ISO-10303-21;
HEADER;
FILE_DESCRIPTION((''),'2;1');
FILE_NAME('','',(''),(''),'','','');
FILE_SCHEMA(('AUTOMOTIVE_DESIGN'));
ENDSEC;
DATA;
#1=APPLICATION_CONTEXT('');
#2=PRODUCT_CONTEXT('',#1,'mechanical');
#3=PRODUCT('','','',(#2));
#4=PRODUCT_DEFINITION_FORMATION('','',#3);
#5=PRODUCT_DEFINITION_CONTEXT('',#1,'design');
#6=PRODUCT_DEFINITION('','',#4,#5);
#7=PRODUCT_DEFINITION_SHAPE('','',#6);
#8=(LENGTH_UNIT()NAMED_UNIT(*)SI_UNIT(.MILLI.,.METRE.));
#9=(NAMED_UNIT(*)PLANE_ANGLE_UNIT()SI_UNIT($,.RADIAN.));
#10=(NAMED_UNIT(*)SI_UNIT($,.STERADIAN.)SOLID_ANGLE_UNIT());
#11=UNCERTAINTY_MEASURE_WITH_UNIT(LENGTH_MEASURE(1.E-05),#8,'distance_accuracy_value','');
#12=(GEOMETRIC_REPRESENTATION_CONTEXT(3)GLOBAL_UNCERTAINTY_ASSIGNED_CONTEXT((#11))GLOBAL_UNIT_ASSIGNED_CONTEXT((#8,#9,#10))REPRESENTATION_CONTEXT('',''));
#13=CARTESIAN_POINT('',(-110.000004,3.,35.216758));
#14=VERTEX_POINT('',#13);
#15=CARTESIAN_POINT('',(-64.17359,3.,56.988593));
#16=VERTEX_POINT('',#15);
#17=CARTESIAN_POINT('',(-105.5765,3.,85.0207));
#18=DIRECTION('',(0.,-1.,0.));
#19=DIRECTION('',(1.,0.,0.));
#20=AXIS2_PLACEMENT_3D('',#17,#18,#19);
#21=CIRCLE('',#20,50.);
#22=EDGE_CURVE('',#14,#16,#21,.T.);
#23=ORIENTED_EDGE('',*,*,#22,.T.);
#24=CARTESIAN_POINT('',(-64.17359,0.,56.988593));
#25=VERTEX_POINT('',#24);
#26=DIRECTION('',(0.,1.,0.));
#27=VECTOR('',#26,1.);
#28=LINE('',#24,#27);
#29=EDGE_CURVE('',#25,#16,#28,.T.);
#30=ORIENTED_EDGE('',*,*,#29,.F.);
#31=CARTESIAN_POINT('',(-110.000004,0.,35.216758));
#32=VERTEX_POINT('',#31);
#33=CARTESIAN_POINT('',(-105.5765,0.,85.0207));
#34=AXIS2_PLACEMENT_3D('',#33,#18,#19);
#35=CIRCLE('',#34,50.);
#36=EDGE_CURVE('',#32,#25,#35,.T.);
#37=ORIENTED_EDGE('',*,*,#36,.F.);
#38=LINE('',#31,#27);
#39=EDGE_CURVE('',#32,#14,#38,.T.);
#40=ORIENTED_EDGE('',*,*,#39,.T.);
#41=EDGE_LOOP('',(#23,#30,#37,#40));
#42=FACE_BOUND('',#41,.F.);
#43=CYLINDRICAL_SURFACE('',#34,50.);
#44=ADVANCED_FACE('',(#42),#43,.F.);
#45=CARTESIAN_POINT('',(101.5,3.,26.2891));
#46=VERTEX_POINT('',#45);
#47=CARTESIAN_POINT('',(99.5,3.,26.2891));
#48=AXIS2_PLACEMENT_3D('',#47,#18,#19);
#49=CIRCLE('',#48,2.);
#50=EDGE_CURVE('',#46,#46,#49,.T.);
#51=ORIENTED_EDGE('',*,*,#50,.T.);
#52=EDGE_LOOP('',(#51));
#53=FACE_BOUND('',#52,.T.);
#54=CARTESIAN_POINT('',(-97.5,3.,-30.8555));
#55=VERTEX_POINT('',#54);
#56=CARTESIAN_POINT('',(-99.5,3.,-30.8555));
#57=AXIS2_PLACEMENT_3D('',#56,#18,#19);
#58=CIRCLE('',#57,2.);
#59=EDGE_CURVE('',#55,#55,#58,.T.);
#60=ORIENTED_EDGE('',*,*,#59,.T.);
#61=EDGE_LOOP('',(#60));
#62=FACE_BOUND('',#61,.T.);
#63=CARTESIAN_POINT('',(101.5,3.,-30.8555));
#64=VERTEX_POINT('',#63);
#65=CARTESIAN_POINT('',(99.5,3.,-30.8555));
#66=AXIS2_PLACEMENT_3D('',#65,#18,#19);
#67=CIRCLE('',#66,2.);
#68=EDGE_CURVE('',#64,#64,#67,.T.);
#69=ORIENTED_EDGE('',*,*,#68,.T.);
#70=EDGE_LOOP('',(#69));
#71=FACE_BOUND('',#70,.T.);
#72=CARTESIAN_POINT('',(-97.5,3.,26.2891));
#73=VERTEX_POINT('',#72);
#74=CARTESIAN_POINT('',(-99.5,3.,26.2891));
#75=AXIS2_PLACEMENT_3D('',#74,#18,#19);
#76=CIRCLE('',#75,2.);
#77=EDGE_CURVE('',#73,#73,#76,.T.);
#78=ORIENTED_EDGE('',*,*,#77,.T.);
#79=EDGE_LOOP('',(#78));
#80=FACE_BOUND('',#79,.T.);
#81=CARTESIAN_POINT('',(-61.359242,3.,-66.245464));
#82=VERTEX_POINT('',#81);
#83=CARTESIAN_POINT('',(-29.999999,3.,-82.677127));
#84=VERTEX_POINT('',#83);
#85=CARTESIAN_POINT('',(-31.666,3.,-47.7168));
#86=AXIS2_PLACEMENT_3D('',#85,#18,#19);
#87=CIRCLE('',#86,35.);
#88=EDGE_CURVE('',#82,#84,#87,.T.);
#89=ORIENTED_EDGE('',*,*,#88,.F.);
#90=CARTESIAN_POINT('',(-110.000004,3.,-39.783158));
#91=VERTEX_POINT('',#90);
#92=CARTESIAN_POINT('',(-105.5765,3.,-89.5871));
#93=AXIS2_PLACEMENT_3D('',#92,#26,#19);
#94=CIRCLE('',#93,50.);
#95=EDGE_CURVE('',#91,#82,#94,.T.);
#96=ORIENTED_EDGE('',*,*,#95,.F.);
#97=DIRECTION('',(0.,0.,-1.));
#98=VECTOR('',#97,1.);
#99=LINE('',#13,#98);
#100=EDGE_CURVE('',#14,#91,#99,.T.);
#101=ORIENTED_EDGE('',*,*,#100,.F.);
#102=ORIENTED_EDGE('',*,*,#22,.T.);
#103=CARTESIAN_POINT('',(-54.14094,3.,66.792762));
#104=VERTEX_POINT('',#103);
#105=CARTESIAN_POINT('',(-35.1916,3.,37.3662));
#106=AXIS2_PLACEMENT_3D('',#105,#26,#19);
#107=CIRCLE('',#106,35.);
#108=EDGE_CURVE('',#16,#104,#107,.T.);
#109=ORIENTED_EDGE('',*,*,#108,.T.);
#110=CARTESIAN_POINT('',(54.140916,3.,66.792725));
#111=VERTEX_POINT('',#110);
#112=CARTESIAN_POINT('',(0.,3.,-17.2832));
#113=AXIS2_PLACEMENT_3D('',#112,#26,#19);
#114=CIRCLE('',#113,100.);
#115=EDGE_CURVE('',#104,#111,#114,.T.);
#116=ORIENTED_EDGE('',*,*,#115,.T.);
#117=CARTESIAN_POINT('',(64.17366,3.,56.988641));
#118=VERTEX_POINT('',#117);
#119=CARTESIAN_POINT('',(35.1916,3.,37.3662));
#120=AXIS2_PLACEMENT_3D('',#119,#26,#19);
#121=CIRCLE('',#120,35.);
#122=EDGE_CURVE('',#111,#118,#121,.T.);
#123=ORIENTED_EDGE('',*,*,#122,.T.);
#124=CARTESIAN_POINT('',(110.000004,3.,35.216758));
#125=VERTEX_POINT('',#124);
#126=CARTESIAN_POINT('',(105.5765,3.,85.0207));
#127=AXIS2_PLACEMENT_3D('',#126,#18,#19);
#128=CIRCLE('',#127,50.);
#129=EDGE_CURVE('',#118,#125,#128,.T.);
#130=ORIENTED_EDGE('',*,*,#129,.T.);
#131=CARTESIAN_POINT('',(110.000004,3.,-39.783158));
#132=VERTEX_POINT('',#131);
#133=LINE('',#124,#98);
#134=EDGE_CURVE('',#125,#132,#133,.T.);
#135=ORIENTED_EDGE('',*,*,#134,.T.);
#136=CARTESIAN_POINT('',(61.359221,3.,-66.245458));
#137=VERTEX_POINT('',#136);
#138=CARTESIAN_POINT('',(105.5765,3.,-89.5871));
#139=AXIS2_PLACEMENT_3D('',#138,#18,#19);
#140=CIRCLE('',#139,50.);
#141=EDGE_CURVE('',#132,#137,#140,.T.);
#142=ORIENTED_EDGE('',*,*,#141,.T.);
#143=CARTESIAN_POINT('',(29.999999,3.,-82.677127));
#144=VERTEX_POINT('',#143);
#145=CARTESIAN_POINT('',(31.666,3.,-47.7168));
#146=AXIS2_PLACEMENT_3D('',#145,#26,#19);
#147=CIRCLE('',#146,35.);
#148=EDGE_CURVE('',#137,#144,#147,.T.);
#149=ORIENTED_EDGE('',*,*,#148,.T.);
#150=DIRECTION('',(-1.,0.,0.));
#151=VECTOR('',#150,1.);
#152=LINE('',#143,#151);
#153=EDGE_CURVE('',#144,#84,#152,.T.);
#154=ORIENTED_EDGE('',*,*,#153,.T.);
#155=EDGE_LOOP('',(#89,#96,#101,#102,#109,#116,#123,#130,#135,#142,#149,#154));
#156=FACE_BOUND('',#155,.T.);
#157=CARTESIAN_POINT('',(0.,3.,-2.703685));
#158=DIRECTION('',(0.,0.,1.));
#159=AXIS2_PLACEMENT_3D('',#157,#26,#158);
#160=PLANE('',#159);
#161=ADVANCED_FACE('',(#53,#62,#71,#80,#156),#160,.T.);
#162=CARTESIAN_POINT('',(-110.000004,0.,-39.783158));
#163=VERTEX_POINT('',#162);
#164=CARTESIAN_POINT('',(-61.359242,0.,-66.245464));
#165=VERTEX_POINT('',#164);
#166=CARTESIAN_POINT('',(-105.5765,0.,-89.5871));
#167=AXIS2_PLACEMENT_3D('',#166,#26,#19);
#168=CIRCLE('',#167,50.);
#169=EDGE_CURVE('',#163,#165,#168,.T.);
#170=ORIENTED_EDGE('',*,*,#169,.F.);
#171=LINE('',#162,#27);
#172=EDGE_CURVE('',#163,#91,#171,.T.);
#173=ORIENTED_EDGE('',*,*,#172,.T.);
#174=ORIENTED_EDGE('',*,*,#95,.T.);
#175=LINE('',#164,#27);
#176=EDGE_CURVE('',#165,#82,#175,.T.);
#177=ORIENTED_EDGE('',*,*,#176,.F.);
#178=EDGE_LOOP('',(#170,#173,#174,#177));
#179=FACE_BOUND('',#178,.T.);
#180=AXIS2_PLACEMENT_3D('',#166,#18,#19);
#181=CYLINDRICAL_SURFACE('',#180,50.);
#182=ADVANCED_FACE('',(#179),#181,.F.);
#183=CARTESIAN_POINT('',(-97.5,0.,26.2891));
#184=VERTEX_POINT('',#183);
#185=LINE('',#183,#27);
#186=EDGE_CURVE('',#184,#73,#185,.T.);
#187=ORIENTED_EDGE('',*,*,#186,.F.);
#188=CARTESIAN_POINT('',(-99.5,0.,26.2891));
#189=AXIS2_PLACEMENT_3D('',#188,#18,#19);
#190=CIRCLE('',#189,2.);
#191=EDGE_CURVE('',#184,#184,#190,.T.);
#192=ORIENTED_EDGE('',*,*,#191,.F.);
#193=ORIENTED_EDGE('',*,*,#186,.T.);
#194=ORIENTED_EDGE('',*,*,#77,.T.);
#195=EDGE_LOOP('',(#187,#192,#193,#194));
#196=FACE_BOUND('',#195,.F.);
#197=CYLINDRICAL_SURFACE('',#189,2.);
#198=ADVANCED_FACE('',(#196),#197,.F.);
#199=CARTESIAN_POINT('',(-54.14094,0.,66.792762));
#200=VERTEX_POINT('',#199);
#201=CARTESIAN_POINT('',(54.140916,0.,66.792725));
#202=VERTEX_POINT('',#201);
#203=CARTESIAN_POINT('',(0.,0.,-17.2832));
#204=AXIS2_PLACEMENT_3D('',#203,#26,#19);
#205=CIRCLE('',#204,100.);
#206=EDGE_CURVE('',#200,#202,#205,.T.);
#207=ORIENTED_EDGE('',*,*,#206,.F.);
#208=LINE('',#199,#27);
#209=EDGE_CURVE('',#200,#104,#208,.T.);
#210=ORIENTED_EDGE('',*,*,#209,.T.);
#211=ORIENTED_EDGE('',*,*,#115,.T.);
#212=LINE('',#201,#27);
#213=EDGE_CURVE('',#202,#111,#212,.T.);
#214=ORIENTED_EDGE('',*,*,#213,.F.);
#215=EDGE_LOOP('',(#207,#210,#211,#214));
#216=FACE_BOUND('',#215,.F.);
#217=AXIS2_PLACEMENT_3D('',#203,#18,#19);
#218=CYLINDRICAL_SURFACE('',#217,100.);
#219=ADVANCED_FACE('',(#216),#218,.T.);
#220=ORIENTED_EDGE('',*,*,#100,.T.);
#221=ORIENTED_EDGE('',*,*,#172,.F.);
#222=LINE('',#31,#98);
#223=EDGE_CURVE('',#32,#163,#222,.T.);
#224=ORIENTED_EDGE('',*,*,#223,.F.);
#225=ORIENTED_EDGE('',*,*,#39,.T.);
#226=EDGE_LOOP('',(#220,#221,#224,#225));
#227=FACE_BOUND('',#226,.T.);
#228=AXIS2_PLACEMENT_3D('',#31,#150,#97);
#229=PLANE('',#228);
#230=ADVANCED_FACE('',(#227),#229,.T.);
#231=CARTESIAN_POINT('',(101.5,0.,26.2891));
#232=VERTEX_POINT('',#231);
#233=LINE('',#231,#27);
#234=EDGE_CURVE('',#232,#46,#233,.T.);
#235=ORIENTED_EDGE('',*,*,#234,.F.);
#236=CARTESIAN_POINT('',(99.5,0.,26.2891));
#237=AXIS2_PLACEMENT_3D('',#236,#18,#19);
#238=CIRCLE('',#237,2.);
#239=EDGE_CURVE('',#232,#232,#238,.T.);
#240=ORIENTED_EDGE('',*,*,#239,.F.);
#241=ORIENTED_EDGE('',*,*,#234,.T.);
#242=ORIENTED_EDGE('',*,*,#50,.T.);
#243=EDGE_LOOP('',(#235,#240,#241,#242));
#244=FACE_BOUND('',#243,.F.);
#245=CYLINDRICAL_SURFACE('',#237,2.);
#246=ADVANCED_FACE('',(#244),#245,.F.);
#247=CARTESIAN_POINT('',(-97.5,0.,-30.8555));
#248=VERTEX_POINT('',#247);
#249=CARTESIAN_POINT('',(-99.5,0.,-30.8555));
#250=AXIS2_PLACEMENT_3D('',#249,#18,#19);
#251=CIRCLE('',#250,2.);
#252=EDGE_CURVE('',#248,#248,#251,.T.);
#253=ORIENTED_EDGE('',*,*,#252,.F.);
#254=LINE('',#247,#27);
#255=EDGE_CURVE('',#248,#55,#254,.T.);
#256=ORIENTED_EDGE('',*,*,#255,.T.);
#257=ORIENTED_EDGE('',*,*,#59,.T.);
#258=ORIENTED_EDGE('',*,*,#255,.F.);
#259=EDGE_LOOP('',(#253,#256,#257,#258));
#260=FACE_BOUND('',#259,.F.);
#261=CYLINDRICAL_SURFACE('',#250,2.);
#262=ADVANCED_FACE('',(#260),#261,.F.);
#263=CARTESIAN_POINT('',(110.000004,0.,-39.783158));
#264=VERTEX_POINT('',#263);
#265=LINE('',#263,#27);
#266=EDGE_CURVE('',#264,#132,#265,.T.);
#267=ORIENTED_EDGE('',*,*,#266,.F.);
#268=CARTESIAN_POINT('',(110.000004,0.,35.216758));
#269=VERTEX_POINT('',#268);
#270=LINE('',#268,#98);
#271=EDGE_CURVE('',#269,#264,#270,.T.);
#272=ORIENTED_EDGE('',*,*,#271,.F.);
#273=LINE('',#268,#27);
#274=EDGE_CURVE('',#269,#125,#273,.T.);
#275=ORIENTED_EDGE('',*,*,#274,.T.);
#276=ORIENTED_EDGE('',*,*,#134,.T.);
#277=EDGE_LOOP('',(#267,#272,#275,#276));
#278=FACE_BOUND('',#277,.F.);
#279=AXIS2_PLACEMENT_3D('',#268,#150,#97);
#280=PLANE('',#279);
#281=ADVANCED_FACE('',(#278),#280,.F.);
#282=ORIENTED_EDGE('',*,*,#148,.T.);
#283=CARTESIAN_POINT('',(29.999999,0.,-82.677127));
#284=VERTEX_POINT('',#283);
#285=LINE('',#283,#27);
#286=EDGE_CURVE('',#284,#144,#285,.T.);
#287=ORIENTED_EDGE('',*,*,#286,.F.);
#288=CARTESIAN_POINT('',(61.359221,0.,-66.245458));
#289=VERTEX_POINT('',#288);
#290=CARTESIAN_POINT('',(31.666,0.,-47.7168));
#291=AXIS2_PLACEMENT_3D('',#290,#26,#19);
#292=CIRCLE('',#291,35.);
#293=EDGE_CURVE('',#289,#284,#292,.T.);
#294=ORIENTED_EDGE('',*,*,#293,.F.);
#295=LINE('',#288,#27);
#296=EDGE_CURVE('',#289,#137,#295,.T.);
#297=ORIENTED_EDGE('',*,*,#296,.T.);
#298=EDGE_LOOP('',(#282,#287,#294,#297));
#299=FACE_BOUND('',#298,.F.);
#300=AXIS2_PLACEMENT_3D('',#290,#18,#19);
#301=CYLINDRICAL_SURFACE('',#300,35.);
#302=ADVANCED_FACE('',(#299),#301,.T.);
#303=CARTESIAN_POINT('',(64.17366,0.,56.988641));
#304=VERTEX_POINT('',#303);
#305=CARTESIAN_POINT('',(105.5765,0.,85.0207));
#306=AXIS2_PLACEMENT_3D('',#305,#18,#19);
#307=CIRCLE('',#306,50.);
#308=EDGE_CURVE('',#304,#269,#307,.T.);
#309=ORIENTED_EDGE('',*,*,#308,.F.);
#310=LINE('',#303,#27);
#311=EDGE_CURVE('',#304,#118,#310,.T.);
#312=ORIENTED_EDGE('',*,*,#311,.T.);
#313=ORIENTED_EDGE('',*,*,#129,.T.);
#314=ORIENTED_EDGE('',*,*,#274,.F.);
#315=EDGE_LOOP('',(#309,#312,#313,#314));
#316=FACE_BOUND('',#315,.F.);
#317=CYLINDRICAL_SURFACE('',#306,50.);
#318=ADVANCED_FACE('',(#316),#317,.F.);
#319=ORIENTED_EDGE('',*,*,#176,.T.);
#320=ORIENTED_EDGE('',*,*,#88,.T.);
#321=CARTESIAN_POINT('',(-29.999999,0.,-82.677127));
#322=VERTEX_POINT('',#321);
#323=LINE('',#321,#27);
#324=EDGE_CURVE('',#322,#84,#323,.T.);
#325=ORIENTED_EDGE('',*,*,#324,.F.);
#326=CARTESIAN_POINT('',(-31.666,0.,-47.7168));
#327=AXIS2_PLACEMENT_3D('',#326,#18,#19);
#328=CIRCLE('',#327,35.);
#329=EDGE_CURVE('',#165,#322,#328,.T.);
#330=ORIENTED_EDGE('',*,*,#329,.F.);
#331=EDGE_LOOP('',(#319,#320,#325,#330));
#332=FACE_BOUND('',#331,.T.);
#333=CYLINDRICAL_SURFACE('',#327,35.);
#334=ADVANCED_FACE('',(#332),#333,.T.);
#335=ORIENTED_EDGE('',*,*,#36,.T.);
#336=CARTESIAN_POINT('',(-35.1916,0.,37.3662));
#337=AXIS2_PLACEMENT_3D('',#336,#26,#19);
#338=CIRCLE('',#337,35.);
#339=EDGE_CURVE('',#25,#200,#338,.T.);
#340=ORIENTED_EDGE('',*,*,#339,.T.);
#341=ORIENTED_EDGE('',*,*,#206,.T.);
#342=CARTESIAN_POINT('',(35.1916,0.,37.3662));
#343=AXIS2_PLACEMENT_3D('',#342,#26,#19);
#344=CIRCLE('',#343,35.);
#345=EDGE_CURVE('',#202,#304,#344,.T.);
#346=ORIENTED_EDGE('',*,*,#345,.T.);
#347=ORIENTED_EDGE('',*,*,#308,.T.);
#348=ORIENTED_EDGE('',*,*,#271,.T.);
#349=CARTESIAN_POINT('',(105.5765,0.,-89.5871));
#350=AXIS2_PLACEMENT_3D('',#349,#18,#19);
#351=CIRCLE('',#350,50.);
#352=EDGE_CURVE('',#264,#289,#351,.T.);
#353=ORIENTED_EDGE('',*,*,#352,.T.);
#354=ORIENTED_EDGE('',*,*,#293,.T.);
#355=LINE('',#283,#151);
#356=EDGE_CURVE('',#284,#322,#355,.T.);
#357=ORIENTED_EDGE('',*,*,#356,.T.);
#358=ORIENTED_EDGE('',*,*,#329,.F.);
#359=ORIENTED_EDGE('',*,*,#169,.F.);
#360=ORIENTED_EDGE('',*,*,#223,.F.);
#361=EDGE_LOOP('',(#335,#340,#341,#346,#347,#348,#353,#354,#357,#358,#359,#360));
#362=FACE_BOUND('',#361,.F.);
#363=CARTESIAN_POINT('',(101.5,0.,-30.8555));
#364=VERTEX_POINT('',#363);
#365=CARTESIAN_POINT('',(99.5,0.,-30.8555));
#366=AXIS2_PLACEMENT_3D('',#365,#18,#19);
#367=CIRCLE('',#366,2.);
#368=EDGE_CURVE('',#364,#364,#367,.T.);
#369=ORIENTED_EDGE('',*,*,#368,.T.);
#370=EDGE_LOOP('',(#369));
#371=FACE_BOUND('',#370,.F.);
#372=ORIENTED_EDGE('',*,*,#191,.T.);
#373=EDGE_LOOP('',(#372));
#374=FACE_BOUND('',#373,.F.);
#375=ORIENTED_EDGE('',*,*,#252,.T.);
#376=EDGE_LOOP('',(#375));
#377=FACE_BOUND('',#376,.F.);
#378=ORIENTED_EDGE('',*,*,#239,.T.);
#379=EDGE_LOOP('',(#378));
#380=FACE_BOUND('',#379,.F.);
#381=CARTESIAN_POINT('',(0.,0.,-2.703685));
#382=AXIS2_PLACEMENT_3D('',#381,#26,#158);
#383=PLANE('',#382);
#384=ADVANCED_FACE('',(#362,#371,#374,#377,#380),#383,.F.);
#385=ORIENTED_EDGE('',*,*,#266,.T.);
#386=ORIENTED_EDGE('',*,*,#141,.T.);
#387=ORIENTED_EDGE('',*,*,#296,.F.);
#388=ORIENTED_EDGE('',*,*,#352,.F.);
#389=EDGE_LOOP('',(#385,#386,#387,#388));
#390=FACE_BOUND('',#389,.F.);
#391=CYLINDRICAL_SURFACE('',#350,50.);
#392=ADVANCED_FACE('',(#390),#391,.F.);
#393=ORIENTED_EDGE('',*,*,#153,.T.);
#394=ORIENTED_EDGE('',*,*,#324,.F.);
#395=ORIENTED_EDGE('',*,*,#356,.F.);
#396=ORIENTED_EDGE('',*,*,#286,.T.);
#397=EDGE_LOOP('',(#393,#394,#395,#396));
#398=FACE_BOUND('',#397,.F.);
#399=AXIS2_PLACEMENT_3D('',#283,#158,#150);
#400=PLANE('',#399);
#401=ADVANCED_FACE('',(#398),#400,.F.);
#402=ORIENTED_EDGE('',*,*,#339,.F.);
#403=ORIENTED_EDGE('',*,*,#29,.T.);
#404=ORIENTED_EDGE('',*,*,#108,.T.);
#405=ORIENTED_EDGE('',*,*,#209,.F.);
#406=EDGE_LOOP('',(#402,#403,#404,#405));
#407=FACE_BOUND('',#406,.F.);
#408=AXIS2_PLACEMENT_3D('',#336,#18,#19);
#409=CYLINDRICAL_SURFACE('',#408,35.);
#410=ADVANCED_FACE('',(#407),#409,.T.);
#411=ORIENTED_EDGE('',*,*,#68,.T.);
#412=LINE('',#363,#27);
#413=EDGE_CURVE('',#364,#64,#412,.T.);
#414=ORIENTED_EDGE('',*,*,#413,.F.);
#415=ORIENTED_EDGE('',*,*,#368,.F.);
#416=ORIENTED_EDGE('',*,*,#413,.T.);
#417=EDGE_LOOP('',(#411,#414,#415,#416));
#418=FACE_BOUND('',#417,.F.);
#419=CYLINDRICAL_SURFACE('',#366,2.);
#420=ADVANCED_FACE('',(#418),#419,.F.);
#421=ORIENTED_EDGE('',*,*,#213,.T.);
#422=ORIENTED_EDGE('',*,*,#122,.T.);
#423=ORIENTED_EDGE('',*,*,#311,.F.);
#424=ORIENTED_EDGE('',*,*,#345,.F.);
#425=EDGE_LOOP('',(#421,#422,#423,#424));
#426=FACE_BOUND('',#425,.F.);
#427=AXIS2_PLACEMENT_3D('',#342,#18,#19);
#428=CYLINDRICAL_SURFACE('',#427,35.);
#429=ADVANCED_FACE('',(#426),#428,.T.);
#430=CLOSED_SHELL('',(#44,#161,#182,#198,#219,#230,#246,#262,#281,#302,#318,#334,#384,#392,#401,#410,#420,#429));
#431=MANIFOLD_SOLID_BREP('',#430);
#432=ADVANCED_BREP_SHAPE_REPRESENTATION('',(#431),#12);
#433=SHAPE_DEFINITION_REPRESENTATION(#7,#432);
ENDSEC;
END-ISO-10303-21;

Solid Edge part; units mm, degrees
sketch "Sketch1" plane through (0, 0, 0) normal (0, -1, 0) x (1, 0, 0)
  arc A0 (-110, 35.2168) -> (-64.1736, 56.9886) centre (-105.5765, 85.0207) ccw
  arc A1 (-64.1736, 56.9886) -> (-54.1409, 66.7927) centre (-35.1916, 37.3662) cw
  arc A2 (-54.1409, 66.7927) -> (54.1409, 66.7927) centre (0, -17.2832) cw
  arc A3 (54.1409, 66.7927) -> (64.1736, 56.9886) centre (35.1916, 37.3662) cw
  arc A4 (64.1736, 56.9886) -> (110, 35.2168) centre (105.5765, 85.0207) ccw
  line L0 (110, 35.2168) -> (110, -39.7832)
  arc A5 (110, -39.7832) -> (61.3593, -66.2455) centre (105.5765, -89.5871) ccw
  arc A6 (61.3593, -66.2455) -> (30, -82.6771) centre (31.666, -47.7168) cw
  line L1 (30, -82.6771) -> (-30, -82.6771)
  arc A7 (-61.3593, -66.2455) -> (-30, -82.6771) centre (-31.666, -47.7168) ccw
  arc A8 (-110, -39.7832) -> (-61.3593, -66.2455) centre (-105.5765, -89.5871) cw
  line L2 (-110, 35.2168) -> (-110, -39.7832)
  circle A9 centre (-99.5, 26.2891) radius 2
  circle A10 centre (-99.5, -30.8555) radius 2
  circle A11 centre (99.5, 26.2891) radius 2
  circle A12 centre (99.5, -30.8555) radius 2
extrude "Extrusionsausprägung_2" add sketch "Sketch1" against normal blind 3
properties material "Nylon, allgemein"
